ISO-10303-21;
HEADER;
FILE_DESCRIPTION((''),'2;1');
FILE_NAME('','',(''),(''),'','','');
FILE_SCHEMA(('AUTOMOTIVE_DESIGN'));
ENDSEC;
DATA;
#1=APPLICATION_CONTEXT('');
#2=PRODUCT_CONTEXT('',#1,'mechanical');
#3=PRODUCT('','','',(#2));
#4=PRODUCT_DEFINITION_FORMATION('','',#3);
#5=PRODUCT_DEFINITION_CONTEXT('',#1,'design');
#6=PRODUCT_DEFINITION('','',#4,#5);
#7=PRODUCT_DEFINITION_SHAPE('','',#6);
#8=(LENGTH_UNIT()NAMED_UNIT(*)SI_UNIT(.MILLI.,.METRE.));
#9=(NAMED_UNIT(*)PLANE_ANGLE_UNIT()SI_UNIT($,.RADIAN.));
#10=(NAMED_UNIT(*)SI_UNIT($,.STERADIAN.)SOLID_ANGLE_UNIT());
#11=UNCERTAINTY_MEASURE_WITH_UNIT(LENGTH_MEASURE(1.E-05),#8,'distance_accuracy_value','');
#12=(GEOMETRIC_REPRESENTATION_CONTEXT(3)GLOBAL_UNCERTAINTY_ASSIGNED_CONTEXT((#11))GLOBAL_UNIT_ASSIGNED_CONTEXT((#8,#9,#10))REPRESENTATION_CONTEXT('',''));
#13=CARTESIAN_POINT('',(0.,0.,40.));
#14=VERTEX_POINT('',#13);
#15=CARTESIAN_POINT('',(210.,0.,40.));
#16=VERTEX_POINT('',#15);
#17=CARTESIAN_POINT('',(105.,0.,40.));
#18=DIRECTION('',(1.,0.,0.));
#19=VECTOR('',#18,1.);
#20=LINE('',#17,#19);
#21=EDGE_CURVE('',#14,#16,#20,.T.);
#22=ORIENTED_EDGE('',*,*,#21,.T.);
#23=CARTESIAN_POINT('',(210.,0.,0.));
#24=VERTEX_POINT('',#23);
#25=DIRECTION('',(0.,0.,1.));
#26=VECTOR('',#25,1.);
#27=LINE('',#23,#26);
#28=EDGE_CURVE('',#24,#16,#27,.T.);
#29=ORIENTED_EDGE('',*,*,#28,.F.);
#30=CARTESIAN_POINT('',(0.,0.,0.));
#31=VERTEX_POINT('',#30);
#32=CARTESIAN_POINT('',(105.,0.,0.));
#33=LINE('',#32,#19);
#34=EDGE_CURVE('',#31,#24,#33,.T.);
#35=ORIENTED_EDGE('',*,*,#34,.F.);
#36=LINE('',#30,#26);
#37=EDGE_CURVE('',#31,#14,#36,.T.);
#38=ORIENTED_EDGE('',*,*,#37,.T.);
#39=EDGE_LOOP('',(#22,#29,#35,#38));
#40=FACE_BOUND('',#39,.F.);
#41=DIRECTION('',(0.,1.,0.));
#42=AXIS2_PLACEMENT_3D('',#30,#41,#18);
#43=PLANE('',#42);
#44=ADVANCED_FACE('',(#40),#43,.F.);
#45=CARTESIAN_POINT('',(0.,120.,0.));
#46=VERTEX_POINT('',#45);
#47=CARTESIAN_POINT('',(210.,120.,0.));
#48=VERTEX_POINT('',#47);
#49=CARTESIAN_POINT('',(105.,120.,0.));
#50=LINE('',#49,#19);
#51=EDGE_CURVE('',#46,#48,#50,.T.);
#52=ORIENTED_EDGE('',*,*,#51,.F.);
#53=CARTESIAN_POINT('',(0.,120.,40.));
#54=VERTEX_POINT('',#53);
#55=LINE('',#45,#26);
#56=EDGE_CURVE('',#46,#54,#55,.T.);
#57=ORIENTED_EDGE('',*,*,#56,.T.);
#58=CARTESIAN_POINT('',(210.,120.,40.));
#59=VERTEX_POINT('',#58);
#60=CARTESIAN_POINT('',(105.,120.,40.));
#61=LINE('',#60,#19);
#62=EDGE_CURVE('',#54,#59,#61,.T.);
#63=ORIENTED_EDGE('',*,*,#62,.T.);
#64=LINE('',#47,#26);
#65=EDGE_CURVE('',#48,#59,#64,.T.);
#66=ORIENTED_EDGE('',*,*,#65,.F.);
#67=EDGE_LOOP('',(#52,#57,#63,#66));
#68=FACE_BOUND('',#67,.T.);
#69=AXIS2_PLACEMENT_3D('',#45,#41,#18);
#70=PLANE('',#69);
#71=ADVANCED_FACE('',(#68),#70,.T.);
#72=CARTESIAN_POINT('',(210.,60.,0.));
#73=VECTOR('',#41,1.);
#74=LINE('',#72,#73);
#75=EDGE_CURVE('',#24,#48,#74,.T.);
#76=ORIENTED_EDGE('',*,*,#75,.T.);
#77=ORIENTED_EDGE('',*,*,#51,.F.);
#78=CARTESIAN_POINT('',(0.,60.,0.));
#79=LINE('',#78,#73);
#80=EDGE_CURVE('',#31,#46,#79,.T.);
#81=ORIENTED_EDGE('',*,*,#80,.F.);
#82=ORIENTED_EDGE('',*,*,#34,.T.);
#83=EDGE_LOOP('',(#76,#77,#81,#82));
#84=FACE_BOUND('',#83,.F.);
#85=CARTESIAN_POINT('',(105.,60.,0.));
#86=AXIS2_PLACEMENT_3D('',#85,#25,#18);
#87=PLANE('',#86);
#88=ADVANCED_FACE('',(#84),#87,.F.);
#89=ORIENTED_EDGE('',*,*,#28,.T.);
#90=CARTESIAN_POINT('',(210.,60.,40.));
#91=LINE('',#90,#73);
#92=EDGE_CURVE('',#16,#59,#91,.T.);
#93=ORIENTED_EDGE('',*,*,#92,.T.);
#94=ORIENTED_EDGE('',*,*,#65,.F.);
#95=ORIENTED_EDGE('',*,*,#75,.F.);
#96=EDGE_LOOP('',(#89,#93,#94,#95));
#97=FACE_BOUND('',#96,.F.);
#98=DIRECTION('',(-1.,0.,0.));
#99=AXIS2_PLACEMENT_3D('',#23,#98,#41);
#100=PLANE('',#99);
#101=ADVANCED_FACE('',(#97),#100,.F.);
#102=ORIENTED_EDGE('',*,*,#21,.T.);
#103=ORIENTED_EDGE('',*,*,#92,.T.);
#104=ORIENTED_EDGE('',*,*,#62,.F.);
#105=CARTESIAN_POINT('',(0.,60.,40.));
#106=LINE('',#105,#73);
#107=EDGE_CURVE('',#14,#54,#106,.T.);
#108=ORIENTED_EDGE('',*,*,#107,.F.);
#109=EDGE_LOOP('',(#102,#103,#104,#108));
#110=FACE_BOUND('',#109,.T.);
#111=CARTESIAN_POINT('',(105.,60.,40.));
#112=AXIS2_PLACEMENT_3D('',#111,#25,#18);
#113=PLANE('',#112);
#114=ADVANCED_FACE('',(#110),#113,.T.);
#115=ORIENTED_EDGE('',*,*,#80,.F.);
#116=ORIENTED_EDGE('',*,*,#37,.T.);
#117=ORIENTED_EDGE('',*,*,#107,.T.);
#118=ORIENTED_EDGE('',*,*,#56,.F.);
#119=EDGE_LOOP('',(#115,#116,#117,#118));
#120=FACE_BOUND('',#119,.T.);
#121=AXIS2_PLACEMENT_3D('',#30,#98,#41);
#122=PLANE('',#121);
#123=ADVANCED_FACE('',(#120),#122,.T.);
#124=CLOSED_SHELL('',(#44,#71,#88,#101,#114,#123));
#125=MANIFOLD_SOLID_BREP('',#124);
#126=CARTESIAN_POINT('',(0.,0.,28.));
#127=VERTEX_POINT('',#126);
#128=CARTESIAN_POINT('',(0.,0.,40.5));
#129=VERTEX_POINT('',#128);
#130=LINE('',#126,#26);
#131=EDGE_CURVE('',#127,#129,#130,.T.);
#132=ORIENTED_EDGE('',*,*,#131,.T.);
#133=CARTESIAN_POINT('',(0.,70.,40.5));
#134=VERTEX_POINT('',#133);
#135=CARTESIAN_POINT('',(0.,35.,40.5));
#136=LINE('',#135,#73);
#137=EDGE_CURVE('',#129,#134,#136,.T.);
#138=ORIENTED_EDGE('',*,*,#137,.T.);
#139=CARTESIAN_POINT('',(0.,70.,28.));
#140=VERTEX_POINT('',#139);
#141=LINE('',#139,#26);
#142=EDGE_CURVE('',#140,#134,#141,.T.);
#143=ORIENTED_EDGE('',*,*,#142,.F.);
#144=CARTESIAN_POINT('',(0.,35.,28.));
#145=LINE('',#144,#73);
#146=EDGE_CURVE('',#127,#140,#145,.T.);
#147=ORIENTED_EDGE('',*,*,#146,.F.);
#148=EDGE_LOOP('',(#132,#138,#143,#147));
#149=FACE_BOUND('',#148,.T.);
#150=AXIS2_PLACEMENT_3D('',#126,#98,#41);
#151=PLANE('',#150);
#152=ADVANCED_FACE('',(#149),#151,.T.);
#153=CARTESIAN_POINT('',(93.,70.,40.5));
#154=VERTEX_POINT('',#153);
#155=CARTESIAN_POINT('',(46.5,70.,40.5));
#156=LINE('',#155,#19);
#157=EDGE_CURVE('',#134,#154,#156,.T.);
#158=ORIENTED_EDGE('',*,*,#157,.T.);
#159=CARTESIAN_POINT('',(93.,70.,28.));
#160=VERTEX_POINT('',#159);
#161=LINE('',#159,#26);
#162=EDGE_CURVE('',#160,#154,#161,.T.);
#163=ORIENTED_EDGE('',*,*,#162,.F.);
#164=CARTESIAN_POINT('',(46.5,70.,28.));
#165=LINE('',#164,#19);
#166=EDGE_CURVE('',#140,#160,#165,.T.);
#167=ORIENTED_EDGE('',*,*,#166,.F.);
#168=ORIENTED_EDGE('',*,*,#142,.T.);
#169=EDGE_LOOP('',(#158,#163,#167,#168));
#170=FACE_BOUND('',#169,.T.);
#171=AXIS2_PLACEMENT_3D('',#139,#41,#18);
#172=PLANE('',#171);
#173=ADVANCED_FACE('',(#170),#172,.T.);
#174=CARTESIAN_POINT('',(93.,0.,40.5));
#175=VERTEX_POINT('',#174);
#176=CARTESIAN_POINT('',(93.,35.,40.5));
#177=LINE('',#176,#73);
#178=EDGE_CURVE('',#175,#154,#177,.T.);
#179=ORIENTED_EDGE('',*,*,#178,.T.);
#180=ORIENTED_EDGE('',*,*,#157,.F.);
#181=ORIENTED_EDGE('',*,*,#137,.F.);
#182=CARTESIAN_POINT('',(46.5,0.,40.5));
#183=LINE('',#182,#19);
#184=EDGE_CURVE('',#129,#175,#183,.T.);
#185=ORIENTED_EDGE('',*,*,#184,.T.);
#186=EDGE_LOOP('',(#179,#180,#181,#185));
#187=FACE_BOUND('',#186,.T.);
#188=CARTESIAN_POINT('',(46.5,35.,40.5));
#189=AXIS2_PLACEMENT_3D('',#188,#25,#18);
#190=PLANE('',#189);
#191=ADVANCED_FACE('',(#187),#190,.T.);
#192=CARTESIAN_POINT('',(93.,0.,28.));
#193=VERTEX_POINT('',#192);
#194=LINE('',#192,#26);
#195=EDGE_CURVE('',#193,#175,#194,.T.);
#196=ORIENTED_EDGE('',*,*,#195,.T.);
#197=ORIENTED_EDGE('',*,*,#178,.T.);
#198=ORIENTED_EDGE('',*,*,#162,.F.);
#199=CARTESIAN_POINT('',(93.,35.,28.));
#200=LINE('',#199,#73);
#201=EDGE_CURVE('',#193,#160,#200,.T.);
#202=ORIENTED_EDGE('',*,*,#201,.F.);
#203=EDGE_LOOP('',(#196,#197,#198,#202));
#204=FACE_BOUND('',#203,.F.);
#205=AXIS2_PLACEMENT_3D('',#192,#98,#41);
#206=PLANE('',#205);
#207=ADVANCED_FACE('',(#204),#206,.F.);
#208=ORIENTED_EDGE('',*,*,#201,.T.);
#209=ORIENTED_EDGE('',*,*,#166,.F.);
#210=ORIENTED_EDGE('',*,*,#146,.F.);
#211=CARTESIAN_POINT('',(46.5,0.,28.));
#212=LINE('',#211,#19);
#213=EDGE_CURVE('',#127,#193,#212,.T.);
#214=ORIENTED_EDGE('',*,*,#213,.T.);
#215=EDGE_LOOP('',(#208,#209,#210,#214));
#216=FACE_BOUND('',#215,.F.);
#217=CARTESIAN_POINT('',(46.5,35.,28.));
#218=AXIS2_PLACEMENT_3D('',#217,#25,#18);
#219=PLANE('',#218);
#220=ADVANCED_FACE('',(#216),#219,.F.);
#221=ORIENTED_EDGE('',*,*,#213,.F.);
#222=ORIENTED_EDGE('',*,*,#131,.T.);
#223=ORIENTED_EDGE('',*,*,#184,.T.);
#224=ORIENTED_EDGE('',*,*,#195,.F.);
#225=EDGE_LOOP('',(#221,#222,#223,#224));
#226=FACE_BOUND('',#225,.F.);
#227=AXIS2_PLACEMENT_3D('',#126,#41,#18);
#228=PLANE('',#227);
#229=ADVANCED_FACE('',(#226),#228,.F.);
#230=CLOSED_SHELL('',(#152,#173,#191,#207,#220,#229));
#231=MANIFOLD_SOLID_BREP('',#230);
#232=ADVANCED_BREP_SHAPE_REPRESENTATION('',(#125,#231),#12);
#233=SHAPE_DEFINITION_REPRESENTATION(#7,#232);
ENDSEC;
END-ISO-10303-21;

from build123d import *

# Parameters (mm, degrees)
BOX_W        = 210
BOX_H        = 120
BOX_DEPTH    = 40
BOX001_W     = 93
BOX001_H     = 70
BOX001_DEPTH = 12.5


with BuildPart() as box:
    # Box → Box (new body)
    with BuildSketch(Plane.XY):
        with Locations((105, 60)):
            Rectangle(BOX_W, BOX_H)
    extrude(amount=BOX_DEPTH)


with BuildPart() as box001:
    # Box001 → Box001 (new body)
    with BuildSketch(Plane.XY.offset(28)):
        with Locations((46.5, 35)):
            Rectangle(BOX001_W, BOX001_H)
    extrude(amount=BOX001_DEPTH)


solid = Compound([box.part, box001.part])
